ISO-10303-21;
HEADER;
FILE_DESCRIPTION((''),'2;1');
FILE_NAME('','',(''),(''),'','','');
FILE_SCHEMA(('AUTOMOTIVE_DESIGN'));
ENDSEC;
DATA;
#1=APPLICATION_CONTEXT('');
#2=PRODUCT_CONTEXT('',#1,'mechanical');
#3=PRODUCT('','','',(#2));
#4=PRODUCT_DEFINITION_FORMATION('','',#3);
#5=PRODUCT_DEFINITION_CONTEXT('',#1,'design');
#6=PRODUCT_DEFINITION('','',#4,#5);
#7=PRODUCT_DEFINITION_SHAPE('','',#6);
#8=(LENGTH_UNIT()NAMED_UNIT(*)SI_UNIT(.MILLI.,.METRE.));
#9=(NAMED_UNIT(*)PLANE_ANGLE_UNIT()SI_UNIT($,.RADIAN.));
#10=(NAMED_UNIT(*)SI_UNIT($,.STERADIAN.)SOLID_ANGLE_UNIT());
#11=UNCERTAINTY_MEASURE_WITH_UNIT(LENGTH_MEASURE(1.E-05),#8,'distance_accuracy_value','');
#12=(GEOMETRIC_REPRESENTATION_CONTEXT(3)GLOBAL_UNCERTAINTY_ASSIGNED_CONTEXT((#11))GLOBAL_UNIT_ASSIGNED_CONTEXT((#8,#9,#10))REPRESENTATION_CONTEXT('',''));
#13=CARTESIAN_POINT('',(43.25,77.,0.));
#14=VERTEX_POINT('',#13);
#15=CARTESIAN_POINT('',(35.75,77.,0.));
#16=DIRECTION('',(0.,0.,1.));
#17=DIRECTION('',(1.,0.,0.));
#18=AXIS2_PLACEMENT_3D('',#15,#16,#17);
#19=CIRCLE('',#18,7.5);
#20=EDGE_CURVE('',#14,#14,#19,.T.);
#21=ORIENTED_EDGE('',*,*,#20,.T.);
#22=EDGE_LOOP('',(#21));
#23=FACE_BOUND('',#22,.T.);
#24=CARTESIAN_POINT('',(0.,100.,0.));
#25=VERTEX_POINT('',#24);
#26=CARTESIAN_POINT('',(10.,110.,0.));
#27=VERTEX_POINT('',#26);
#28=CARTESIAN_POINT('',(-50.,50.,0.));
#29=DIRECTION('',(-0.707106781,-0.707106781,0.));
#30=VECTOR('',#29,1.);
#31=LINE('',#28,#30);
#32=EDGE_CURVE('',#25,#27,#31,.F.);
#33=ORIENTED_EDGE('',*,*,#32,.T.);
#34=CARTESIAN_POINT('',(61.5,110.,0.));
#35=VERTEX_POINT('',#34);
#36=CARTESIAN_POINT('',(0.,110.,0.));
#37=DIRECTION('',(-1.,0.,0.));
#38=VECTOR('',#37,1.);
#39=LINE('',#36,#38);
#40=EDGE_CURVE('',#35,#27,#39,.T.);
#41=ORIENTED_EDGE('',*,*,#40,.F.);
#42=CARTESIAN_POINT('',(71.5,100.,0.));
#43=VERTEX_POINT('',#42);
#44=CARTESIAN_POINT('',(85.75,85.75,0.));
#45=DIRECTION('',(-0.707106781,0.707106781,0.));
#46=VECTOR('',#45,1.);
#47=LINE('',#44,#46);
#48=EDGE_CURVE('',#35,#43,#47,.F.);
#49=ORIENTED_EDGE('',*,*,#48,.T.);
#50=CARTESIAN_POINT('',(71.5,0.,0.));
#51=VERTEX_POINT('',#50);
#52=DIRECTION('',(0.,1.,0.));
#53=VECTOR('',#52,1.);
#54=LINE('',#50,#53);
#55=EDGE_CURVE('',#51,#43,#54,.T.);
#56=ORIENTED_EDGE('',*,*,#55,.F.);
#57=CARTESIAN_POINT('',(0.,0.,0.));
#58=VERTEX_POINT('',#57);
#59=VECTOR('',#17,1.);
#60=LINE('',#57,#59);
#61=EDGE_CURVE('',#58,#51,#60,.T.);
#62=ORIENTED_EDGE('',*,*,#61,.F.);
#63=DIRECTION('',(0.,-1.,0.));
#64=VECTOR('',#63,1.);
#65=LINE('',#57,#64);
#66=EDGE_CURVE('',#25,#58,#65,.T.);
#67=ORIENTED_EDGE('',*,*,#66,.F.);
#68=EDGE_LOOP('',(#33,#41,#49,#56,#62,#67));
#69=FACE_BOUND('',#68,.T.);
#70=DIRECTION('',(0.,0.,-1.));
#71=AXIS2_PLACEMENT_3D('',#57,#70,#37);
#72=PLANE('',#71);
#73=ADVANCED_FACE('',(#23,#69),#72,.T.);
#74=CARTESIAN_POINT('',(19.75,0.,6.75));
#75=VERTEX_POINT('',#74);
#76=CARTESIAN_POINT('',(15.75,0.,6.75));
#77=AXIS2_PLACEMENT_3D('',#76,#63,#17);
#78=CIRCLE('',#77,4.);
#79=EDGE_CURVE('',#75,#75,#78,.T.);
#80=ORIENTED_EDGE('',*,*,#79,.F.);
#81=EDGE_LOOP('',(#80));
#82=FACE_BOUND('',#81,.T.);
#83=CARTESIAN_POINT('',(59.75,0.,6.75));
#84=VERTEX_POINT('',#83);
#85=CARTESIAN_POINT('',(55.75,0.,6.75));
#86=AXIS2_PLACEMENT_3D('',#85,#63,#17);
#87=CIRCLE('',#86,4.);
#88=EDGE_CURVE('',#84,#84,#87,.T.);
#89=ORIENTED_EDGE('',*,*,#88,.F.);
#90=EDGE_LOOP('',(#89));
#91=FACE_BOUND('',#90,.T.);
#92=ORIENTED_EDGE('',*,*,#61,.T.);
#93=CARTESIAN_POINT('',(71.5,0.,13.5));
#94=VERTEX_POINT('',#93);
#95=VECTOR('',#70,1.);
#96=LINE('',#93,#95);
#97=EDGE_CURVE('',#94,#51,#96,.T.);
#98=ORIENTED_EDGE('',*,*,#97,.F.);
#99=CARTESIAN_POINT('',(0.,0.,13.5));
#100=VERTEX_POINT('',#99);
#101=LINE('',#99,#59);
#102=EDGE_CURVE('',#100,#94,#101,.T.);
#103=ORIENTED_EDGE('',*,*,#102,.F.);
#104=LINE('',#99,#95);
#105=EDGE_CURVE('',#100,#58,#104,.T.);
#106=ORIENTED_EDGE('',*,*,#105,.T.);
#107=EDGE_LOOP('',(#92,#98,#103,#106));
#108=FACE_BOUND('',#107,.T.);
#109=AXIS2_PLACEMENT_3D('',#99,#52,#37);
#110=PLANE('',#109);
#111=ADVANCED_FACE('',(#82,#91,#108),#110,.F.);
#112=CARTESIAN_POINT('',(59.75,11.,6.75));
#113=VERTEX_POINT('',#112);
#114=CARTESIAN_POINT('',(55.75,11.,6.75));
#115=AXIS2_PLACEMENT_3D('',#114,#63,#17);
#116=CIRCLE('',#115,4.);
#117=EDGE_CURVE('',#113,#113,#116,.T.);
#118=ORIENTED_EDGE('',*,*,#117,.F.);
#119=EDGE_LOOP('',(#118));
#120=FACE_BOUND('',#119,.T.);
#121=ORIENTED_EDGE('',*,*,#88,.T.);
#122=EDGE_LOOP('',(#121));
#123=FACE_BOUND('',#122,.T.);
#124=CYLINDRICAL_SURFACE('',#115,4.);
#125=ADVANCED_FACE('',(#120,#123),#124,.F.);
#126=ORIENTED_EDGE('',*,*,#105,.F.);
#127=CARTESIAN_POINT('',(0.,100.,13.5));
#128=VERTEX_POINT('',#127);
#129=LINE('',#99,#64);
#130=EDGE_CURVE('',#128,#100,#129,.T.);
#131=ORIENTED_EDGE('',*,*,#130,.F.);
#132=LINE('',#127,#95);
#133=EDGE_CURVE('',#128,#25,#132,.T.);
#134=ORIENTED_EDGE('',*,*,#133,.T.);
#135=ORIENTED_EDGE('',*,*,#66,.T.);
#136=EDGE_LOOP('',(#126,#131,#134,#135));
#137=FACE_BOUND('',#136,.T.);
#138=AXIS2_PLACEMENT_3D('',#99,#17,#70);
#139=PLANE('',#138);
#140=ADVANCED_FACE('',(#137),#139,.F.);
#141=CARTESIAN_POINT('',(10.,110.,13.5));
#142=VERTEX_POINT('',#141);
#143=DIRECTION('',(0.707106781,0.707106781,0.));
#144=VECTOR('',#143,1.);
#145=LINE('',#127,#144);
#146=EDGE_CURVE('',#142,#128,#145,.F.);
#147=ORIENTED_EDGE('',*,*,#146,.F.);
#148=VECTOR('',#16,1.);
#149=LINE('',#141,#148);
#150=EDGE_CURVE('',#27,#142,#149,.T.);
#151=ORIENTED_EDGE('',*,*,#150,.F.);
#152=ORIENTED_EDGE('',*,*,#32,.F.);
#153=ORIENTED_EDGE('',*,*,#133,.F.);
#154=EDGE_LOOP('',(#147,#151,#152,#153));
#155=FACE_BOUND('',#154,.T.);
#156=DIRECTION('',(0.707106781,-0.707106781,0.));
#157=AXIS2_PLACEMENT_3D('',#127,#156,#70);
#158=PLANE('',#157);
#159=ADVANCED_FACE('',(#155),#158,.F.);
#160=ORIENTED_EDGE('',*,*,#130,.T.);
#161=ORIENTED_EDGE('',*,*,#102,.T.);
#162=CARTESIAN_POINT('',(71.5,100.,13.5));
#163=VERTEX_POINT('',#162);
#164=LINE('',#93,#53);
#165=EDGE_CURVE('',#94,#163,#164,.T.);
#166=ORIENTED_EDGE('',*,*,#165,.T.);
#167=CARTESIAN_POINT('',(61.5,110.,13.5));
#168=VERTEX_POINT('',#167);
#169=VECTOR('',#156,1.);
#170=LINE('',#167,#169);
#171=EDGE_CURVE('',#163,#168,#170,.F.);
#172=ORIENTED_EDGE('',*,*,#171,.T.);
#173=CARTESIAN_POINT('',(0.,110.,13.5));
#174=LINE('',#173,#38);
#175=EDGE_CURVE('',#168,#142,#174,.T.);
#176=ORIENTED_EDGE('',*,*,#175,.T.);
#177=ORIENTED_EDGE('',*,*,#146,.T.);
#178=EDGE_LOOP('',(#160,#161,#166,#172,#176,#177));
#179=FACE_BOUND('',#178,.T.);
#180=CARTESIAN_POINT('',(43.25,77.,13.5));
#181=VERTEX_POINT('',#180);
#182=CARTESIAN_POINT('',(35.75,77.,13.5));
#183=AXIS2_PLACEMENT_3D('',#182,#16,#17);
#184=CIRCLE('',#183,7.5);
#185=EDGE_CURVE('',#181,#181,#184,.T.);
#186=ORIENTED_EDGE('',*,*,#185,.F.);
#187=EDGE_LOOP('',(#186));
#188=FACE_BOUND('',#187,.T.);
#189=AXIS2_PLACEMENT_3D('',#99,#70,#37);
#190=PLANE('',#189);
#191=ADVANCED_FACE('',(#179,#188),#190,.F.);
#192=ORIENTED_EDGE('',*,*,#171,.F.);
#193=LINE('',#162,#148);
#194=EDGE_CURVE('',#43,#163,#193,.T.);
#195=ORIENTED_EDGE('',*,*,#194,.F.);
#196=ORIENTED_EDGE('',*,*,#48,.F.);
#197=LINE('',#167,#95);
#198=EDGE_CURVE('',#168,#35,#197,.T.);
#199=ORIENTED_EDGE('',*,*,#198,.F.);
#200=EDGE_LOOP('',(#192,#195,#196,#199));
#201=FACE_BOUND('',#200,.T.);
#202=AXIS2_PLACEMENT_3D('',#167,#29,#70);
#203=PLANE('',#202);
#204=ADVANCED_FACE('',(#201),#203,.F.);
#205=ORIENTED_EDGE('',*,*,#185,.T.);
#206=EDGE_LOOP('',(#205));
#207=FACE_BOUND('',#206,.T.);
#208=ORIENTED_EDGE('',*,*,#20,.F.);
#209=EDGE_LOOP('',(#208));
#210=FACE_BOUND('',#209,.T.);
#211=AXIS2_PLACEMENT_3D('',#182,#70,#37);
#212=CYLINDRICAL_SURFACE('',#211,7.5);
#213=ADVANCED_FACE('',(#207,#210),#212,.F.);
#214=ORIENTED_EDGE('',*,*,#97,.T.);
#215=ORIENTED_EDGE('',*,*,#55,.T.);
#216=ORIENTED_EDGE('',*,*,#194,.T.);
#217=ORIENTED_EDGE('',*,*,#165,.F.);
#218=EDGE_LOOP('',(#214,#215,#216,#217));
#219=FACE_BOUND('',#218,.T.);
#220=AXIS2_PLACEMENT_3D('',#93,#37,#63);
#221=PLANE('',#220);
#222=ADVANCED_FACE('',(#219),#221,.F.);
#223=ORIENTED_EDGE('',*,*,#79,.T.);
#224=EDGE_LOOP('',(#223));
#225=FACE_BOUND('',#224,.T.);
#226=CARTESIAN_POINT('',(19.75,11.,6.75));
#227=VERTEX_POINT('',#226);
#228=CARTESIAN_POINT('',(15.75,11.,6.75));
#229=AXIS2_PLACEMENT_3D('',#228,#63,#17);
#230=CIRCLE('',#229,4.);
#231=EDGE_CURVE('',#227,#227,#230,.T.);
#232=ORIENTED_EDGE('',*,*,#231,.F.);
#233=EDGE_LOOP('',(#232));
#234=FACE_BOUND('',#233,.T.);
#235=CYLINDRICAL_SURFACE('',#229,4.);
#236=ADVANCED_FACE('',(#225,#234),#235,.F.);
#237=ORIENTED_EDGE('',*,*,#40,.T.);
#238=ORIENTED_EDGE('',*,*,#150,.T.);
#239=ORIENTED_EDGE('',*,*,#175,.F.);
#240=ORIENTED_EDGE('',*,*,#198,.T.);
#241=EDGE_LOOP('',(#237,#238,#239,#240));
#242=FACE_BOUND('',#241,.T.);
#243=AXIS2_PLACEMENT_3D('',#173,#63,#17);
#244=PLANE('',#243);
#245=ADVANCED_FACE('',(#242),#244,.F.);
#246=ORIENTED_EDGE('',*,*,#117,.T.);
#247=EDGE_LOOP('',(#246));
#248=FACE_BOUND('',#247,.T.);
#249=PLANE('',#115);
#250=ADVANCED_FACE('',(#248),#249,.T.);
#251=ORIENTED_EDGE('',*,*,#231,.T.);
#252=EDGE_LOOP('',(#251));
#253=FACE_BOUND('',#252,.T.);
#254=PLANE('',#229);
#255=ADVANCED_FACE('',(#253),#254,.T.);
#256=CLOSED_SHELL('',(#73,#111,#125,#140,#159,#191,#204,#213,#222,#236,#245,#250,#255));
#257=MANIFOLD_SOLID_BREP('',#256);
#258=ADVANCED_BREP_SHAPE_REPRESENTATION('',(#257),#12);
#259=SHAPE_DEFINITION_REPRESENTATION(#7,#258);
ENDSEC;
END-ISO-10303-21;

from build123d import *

# Parameters (mm, degrees)
SKETCH1_W           = 71.5
SKETCH1_H           = 110
SKETCH1_R           = 7.5
BOSS_EXTRUDE1_DEPTH = 13.5
CHAMFER1_SIZE       = 10
SKETCH2_R           = 4
CUT_EXTRUDE1_DEPTH  = 11


with BuildPart() as part:
    # Sketch1 → Boss-Extrude1 (new body)
    with BuildSketch(Plane.XY):
        with Locations((35.75, 55)):
            Rectangle(SKETCH1_W, SKETCH1_H)
        with Locations((35.75, 77)):
            Circle(SKETCH1_R, mode=Mode.SUBTRACT)
    extrude(amount=BOSS_EXTRUDE1_DEPTH)

    # Chamfer1
    chamfer1_edges = [part.edges().sort_by_distance(p)[0] for p in [
        (0, 110, 6.75),
        (71.5, 110, 6.75),
    ]]
    chamfer(chamfer1_edges, length=CHAMFER1_SIZE)

    # Sketch2 → Cut-Extrude1 (cut)
    with BuildSketch(Plane.XZ):
        with Locations((15.75, 6.75)):
            Circle(SKETCH2_R)
        with Locations((55.75, 6.75)):
            Circle(SKETCH2_R)
    extrude(amount=-CUT_EXTRUDE1_DEPTH, mode=Mode.SUBTRACT)


solid = part.part
